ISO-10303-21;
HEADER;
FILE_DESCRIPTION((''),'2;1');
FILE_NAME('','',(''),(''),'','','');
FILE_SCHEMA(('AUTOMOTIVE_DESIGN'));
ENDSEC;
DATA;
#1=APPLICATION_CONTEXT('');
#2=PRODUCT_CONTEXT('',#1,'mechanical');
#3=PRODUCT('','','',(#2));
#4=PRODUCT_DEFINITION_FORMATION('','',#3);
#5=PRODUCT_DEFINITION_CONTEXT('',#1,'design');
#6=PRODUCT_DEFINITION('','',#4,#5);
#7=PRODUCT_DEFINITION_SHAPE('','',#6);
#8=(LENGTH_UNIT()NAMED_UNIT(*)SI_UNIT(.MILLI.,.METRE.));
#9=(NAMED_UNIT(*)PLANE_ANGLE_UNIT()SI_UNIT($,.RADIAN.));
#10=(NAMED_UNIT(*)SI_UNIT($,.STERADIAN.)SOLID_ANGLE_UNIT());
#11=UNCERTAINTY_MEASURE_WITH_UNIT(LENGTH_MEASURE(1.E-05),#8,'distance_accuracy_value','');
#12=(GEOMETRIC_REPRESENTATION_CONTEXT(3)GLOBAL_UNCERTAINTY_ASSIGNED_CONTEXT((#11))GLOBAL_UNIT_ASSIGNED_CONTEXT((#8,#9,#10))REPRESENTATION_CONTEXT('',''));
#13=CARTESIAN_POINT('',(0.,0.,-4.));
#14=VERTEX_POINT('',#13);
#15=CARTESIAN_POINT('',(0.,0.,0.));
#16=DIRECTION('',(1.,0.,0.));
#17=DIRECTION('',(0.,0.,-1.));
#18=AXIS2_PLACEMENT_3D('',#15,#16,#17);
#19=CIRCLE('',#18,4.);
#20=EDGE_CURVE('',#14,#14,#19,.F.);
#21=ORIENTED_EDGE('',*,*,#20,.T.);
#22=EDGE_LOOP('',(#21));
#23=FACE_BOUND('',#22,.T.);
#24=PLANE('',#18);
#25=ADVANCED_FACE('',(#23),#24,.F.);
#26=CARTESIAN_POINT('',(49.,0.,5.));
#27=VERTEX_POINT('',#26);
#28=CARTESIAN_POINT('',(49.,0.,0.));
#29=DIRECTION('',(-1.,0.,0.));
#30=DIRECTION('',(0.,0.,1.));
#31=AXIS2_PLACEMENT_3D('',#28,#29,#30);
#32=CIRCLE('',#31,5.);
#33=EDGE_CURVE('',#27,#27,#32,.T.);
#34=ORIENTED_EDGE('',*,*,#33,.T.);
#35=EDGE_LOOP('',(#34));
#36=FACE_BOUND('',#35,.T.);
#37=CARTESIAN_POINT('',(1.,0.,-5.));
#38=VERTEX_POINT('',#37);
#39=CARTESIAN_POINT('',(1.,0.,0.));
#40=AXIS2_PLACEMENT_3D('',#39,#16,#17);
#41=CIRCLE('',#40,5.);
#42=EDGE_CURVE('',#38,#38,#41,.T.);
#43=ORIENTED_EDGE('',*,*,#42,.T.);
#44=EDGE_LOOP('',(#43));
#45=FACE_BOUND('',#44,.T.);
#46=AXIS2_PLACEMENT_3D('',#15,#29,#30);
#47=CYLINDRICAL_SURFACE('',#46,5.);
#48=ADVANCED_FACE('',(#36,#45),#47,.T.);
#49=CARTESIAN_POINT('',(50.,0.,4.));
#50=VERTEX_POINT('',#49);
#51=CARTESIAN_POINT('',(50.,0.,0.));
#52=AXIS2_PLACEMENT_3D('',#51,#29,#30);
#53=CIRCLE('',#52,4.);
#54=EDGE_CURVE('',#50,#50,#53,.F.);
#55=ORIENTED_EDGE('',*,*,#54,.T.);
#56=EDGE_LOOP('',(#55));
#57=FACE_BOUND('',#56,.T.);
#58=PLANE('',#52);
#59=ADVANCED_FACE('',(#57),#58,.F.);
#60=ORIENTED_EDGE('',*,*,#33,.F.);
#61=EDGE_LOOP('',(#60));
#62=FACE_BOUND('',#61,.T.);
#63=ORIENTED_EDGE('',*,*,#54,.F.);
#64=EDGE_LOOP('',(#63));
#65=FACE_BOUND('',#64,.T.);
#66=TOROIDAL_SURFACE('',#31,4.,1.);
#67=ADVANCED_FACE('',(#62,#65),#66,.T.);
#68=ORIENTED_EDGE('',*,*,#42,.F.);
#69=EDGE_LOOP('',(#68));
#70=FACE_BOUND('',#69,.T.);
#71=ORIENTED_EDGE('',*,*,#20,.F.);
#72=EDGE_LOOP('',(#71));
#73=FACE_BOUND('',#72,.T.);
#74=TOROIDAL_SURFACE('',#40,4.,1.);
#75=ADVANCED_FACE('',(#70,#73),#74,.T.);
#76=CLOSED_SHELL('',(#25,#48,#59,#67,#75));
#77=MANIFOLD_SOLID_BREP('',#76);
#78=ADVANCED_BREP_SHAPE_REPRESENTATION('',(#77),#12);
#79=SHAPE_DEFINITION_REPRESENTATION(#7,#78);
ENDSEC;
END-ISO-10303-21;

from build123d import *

# Parameters (mm, degrees)
IZIM1_W   = 50
IZIM1_H   = 5
RADYUS1_R = 1


with BuildPart() as part:
    # Çizim1 → Döndür1 (revolve)
    with BuildSketch(Plane.XY, mode=Mode.PRIVATE) as d_nd_r1_sk:
        with Locations((25, 2.5)):
            Rectangle(IZIM1_W, IZIM1_H)
    revolve(d_nd_r1_sk.sketch.rotate(Axis((0, 0, 0), (1, 0, 0)), 90), axis=Axis((0, 0, 0), (1, 0, 0)))

    # Radyus1
    radyus1_edges = [part.edges().sort_by_distance(p)[0] for p in [
        (50, 0, -5),
        (0, 0, -5),
    ]]
    fillet(radyus1_edges, radius=RADYUS1_R)


solid = part.part
